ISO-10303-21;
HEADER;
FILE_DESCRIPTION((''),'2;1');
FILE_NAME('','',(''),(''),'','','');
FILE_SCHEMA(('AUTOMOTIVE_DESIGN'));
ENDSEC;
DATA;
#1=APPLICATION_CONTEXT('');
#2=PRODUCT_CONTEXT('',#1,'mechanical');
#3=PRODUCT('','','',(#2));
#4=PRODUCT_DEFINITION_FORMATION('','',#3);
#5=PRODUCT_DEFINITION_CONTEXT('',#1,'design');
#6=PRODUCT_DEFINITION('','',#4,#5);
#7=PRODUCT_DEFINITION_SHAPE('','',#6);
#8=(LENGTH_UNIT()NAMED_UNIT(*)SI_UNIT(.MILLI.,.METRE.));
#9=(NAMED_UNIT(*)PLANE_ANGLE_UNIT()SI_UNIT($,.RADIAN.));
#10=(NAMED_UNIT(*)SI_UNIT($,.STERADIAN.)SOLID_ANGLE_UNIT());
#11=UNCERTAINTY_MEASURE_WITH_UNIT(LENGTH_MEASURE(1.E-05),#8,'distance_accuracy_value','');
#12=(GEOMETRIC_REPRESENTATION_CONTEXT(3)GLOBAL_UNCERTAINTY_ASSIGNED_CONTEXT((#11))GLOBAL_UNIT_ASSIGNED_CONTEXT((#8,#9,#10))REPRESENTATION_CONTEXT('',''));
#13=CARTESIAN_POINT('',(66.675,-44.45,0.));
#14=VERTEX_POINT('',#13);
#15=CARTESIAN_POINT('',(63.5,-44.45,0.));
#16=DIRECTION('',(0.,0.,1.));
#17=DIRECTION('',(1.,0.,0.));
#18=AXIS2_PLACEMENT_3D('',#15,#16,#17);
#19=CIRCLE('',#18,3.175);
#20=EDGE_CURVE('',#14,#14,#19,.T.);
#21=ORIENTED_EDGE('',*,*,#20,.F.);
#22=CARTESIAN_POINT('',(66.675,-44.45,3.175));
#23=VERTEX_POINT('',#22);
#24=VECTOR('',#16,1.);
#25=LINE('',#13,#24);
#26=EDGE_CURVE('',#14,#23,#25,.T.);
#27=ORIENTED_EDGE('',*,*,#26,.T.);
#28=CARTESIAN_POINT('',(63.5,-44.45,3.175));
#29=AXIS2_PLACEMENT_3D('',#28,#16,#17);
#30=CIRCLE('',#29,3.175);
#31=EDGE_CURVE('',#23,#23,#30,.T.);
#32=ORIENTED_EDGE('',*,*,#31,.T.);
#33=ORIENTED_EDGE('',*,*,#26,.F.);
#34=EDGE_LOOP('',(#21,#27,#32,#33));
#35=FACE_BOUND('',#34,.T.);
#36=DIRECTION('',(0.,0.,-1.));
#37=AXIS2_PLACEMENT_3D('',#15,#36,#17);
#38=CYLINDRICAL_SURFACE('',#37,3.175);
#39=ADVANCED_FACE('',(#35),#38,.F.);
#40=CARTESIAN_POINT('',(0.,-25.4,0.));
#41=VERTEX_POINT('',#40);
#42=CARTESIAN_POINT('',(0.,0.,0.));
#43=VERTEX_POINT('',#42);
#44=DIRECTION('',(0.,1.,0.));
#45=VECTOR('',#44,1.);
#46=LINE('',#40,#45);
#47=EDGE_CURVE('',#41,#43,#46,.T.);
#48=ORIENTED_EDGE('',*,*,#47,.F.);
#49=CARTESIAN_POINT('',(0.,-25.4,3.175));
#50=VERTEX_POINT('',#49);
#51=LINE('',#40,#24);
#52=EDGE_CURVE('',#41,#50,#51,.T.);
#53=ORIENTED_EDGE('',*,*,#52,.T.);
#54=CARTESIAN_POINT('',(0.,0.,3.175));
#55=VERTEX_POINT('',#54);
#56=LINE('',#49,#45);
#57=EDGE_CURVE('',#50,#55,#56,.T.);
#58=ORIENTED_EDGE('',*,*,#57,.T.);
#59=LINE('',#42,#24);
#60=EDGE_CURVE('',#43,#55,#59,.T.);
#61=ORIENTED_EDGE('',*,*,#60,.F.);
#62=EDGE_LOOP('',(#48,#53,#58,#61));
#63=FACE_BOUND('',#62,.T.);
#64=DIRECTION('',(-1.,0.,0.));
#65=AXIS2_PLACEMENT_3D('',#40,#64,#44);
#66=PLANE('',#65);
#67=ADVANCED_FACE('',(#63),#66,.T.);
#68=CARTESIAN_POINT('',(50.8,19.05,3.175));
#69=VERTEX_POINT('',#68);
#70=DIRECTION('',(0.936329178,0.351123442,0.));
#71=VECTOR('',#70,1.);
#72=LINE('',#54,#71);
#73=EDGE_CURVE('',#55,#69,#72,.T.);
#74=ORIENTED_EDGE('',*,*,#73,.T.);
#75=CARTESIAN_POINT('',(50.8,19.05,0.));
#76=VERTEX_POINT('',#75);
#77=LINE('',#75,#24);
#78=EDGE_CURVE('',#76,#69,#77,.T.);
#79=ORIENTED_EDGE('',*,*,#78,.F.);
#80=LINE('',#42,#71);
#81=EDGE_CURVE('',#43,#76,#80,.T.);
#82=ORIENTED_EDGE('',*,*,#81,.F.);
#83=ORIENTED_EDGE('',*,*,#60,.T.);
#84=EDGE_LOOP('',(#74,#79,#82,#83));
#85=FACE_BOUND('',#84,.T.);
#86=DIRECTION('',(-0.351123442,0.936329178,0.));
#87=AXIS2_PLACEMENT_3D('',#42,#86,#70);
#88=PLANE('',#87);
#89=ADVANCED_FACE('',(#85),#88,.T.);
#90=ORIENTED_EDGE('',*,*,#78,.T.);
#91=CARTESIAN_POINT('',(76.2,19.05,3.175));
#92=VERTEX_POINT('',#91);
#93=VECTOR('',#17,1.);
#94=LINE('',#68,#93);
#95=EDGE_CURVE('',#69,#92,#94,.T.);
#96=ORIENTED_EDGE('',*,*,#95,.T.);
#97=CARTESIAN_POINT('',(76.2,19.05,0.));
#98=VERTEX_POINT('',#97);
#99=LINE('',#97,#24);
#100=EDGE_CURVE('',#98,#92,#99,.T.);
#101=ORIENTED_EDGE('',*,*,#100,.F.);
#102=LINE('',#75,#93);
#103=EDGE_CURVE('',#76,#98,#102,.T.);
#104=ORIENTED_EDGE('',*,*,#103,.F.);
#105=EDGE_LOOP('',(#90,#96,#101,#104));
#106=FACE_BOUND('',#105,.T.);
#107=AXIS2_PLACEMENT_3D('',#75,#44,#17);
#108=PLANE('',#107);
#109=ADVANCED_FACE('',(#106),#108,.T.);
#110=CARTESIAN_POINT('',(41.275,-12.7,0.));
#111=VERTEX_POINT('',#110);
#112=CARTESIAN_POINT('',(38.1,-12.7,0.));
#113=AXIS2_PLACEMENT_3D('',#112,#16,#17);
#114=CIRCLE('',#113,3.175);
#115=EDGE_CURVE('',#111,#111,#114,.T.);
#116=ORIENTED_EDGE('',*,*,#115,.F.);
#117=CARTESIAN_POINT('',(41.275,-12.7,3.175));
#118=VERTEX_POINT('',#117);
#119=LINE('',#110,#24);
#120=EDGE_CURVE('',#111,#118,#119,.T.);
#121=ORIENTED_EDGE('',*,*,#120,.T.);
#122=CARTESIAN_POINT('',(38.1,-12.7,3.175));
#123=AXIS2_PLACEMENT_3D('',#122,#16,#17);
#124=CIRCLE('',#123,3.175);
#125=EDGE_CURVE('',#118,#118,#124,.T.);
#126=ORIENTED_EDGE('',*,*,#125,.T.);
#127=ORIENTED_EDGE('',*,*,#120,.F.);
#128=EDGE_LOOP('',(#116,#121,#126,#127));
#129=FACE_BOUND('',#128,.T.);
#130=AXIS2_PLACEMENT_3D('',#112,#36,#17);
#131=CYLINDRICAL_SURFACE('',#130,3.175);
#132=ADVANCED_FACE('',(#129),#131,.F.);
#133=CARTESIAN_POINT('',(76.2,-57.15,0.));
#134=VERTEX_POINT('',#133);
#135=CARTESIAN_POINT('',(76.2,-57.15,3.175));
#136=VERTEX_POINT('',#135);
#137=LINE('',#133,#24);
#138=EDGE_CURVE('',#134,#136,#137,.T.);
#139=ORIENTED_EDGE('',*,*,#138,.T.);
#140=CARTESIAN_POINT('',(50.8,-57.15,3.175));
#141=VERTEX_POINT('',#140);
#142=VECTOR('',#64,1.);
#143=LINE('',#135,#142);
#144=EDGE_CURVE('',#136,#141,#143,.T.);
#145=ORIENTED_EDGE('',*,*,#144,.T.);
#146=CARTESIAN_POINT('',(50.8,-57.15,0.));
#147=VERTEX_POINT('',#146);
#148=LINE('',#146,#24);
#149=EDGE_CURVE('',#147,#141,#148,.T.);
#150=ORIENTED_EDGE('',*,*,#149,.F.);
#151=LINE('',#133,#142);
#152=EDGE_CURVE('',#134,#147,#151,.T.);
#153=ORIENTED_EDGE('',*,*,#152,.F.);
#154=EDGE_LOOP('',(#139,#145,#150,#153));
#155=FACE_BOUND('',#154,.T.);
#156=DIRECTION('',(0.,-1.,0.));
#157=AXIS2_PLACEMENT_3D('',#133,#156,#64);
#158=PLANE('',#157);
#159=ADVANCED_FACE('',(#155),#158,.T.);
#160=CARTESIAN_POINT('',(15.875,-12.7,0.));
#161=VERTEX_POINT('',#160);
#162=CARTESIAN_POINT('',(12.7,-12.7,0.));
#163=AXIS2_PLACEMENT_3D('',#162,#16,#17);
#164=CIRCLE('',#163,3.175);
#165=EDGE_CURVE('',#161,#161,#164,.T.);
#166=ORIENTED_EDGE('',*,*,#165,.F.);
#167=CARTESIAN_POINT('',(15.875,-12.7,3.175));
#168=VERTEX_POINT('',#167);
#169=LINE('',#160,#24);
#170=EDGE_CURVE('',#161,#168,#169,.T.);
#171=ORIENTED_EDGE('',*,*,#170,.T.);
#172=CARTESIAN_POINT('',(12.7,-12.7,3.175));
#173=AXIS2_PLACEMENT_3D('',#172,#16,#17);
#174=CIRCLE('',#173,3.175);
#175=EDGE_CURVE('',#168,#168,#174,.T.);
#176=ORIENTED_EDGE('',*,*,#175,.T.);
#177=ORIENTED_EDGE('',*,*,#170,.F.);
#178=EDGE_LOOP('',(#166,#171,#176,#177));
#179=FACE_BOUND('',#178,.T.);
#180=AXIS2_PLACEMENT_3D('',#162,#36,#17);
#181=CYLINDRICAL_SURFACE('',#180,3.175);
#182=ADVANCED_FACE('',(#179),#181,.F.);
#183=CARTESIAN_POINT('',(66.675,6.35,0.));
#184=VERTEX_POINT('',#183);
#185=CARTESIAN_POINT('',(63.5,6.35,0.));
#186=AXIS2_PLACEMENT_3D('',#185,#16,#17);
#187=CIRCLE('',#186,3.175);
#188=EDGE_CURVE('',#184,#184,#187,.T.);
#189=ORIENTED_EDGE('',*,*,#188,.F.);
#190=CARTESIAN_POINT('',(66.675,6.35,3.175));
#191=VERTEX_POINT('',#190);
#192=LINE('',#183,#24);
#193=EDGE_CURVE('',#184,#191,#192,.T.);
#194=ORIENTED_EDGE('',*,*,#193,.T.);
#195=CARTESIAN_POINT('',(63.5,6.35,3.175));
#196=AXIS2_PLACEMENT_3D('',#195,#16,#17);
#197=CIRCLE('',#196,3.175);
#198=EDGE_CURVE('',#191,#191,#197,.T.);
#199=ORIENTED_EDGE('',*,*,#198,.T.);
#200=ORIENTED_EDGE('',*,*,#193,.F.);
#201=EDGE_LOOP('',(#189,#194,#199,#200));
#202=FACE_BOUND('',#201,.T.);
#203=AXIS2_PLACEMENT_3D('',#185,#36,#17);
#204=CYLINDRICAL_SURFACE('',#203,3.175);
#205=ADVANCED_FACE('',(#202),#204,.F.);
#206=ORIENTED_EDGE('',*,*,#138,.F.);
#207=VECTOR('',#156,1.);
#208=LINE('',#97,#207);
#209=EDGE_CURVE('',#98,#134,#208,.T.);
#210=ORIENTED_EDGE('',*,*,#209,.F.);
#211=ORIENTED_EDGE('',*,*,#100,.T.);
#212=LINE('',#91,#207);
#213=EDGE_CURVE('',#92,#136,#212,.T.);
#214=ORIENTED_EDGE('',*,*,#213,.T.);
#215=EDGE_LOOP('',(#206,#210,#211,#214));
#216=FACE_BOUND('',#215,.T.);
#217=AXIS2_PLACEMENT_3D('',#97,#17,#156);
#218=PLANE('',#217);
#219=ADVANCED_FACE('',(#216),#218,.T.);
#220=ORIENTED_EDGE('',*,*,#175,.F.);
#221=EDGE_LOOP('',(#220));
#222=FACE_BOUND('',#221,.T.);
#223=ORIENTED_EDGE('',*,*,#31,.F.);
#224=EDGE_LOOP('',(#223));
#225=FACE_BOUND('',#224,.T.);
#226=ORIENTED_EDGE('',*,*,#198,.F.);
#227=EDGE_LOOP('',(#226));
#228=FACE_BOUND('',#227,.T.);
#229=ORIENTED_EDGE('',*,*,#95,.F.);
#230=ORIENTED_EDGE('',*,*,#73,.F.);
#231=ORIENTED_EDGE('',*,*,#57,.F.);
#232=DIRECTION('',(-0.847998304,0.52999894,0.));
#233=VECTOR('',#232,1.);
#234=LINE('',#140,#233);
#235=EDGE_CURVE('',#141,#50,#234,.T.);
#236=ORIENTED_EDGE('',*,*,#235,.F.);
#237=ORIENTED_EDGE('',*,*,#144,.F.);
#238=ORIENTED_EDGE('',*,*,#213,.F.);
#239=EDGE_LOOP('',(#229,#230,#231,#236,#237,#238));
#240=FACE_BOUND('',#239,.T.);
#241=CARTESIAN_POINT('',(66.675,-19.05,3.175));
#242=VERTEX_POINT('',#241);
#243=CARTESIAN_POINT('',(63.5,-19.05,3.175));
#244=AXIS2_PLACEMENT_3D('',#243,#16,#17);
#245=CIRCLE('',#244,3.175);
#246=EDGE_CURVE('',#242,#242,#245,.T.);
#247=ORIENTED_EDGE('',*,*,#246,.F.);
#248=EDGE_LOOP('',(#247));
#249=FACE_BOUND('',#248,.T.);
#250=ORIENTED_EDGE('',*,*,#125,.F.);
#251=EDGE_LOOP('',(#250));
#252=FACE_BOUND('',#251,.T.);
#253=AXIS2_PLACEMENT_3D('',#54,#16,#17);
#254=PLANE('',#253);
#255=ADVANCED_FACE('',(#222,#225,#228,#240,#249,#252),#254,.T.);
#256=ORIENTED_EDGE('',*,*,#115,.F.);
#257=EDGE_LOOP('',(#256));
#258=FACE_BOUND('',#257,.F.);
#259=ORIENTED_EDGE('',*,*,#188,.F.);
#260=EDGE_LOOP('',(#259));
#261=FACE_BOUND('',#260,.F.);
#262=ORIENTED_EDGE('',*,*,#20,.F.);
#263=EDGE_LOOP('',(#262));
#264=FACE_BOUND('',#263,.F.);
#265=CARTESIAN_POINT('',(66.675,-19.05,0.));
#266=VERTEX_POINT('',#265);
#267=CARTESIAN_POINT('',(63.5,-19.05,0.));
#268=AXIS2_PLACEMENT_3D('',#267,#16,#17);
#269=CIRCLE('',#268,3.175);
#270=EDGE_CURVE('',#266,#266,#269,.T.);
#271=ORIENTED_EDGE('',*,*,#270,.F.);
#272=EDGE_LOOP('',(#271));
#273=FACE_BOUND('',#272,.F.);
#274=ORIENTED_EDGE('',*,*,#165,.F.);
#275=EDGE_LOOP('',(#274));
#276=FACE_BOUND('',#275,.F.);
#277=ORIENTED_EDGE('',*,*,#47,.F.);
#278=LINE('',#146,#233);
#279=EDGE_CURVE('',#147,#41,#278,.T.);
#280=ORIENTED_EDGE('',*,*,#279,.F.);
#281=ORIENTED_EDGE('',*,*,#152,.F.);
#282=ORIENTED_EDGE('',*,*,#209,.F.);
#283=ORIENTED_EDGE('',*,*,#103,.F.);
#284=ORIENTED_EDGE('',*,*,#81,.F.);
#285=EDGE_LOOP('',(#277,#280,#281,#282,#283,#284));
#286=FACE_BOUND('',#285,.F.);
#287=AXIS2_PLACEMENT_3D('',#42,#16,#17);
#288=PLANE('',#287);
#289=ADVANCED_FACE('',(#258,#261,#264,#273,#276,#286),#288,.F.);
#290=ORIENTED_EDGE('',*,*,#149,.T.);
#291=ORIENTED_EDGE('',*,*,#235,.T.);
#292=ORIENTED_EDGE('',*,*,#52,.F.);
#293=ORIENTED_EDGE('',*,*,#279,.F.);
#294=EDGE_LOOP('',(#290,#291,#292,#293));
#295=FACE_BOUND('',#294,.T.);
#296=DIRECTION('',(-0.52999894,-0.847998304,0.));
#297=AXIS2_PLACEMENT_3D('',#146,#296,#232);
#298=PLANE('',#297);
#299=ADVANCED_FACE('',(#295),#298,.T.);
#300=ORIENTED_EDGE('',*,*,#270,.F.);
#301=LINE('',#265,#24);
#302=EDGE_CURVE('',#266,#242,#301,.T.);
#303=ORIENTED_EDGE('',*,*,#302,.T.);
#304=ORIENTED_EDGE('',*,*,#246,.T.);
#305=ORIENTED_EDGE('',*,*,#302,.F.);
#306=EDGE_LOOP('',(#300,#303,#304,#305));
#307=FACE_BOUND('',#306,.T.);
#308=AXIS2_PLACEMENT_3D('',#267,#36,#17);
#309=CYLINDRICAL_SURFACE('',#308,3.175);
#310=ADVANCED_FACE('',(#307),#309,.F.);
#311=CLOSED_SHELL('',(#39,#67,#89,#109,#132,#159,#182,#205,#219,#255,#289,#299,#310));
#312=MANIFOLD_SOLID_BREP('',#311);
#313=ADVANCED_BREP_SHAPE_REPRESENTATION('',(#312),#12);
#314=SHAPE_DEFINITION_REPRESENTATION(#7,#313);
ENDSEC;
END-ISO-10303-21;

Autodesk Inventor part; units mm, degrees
ref_plane "YZ Plane" through (0, 0, 0) normal (1, 0, 0) x (0, 1, 0)
ref_plane "XZ Plane" through (0, 0, 0) normal (0, 1, 0) x (-1, 0, 0)
ref_plane "XY Plane" through (0, 0, 0) normal (0, 0, 1) x (1, 0, 0)
sketch "Sketch1" plane through (0, 0, 0) normal (0, 0, 1) x (1, 0, 0)
  line L0 (0, 0) -> (50.8, 19.05)
  line L1 (50.8, 19.05) -> (76.2, 19.05)
  line L2 (76.2, 19.05) -> (76.2, -57.15)
  line L3 (76.2, -57.15) -> (50.8, -57.15)
  line L4 (50.8, -57.15) -> (0, -25.4)
  line L5 (0, -25.4) -> (0, 0)
  line L6 (76.2, -6.35) -> (26.8732, -6.35) construction
  line L7 (26.8732, -6.35) -> (26.8732, -41.7576) construction
  line L8 (26.8732, -41.7576) -> (76.2, -41.7576) construction
  line L9 (76.2, -41.7576) -> (76.2, -6.35) construction
  line L10 (0, 0) -> (76.2, 0) construction
  circle A0 centre (12.7, -12.7) radius 3.175
  circle A1 centre (63.5, -44.45) radius 3.175
  circle A2 centre (63.5, 6.35) radius 3.175
  circle A3 centre (38.1, -12.7) radius 3.175
  circle A4 centre (63.5, -19.05) radius 3.175
  dimension "d0" = 25.4
  dimension "d1" = 76.2
  dimension "d2" = 19.05
  dimension "d3" = 76.2
  dimension "d4" = 25.4
  dimension "d5" = 25.4
  dimension "d6" = 49.3268
  dimension "d7" = 35.4076
  dimension "d8" = 25.4
  dimension "d18" = 6.35
  dimension "d19" = 12.7
  dimension "d20" = 12.7
  dimension "d21" = 6.35
  dimension "d22" = 6.35
  dimension "d23" = 12.7
  dimension "d24" = 12.7
  dimension "d25" = 12.7
  dimension "d26" = 12.7
  dimension "d29" = 6.35
  dimension "d30" = 6.35
  dimension "d31" = 31.75
  dimension "d32" = 25.4
  dimension "d33" = 38.1
  dimension "d34" = 12.7
extrude "Extrusion2" add sketch "Sketch1" along normal blind 3.175
properties part number "15102898-16-P-0309_CPY" material "Aluminum 6061"
